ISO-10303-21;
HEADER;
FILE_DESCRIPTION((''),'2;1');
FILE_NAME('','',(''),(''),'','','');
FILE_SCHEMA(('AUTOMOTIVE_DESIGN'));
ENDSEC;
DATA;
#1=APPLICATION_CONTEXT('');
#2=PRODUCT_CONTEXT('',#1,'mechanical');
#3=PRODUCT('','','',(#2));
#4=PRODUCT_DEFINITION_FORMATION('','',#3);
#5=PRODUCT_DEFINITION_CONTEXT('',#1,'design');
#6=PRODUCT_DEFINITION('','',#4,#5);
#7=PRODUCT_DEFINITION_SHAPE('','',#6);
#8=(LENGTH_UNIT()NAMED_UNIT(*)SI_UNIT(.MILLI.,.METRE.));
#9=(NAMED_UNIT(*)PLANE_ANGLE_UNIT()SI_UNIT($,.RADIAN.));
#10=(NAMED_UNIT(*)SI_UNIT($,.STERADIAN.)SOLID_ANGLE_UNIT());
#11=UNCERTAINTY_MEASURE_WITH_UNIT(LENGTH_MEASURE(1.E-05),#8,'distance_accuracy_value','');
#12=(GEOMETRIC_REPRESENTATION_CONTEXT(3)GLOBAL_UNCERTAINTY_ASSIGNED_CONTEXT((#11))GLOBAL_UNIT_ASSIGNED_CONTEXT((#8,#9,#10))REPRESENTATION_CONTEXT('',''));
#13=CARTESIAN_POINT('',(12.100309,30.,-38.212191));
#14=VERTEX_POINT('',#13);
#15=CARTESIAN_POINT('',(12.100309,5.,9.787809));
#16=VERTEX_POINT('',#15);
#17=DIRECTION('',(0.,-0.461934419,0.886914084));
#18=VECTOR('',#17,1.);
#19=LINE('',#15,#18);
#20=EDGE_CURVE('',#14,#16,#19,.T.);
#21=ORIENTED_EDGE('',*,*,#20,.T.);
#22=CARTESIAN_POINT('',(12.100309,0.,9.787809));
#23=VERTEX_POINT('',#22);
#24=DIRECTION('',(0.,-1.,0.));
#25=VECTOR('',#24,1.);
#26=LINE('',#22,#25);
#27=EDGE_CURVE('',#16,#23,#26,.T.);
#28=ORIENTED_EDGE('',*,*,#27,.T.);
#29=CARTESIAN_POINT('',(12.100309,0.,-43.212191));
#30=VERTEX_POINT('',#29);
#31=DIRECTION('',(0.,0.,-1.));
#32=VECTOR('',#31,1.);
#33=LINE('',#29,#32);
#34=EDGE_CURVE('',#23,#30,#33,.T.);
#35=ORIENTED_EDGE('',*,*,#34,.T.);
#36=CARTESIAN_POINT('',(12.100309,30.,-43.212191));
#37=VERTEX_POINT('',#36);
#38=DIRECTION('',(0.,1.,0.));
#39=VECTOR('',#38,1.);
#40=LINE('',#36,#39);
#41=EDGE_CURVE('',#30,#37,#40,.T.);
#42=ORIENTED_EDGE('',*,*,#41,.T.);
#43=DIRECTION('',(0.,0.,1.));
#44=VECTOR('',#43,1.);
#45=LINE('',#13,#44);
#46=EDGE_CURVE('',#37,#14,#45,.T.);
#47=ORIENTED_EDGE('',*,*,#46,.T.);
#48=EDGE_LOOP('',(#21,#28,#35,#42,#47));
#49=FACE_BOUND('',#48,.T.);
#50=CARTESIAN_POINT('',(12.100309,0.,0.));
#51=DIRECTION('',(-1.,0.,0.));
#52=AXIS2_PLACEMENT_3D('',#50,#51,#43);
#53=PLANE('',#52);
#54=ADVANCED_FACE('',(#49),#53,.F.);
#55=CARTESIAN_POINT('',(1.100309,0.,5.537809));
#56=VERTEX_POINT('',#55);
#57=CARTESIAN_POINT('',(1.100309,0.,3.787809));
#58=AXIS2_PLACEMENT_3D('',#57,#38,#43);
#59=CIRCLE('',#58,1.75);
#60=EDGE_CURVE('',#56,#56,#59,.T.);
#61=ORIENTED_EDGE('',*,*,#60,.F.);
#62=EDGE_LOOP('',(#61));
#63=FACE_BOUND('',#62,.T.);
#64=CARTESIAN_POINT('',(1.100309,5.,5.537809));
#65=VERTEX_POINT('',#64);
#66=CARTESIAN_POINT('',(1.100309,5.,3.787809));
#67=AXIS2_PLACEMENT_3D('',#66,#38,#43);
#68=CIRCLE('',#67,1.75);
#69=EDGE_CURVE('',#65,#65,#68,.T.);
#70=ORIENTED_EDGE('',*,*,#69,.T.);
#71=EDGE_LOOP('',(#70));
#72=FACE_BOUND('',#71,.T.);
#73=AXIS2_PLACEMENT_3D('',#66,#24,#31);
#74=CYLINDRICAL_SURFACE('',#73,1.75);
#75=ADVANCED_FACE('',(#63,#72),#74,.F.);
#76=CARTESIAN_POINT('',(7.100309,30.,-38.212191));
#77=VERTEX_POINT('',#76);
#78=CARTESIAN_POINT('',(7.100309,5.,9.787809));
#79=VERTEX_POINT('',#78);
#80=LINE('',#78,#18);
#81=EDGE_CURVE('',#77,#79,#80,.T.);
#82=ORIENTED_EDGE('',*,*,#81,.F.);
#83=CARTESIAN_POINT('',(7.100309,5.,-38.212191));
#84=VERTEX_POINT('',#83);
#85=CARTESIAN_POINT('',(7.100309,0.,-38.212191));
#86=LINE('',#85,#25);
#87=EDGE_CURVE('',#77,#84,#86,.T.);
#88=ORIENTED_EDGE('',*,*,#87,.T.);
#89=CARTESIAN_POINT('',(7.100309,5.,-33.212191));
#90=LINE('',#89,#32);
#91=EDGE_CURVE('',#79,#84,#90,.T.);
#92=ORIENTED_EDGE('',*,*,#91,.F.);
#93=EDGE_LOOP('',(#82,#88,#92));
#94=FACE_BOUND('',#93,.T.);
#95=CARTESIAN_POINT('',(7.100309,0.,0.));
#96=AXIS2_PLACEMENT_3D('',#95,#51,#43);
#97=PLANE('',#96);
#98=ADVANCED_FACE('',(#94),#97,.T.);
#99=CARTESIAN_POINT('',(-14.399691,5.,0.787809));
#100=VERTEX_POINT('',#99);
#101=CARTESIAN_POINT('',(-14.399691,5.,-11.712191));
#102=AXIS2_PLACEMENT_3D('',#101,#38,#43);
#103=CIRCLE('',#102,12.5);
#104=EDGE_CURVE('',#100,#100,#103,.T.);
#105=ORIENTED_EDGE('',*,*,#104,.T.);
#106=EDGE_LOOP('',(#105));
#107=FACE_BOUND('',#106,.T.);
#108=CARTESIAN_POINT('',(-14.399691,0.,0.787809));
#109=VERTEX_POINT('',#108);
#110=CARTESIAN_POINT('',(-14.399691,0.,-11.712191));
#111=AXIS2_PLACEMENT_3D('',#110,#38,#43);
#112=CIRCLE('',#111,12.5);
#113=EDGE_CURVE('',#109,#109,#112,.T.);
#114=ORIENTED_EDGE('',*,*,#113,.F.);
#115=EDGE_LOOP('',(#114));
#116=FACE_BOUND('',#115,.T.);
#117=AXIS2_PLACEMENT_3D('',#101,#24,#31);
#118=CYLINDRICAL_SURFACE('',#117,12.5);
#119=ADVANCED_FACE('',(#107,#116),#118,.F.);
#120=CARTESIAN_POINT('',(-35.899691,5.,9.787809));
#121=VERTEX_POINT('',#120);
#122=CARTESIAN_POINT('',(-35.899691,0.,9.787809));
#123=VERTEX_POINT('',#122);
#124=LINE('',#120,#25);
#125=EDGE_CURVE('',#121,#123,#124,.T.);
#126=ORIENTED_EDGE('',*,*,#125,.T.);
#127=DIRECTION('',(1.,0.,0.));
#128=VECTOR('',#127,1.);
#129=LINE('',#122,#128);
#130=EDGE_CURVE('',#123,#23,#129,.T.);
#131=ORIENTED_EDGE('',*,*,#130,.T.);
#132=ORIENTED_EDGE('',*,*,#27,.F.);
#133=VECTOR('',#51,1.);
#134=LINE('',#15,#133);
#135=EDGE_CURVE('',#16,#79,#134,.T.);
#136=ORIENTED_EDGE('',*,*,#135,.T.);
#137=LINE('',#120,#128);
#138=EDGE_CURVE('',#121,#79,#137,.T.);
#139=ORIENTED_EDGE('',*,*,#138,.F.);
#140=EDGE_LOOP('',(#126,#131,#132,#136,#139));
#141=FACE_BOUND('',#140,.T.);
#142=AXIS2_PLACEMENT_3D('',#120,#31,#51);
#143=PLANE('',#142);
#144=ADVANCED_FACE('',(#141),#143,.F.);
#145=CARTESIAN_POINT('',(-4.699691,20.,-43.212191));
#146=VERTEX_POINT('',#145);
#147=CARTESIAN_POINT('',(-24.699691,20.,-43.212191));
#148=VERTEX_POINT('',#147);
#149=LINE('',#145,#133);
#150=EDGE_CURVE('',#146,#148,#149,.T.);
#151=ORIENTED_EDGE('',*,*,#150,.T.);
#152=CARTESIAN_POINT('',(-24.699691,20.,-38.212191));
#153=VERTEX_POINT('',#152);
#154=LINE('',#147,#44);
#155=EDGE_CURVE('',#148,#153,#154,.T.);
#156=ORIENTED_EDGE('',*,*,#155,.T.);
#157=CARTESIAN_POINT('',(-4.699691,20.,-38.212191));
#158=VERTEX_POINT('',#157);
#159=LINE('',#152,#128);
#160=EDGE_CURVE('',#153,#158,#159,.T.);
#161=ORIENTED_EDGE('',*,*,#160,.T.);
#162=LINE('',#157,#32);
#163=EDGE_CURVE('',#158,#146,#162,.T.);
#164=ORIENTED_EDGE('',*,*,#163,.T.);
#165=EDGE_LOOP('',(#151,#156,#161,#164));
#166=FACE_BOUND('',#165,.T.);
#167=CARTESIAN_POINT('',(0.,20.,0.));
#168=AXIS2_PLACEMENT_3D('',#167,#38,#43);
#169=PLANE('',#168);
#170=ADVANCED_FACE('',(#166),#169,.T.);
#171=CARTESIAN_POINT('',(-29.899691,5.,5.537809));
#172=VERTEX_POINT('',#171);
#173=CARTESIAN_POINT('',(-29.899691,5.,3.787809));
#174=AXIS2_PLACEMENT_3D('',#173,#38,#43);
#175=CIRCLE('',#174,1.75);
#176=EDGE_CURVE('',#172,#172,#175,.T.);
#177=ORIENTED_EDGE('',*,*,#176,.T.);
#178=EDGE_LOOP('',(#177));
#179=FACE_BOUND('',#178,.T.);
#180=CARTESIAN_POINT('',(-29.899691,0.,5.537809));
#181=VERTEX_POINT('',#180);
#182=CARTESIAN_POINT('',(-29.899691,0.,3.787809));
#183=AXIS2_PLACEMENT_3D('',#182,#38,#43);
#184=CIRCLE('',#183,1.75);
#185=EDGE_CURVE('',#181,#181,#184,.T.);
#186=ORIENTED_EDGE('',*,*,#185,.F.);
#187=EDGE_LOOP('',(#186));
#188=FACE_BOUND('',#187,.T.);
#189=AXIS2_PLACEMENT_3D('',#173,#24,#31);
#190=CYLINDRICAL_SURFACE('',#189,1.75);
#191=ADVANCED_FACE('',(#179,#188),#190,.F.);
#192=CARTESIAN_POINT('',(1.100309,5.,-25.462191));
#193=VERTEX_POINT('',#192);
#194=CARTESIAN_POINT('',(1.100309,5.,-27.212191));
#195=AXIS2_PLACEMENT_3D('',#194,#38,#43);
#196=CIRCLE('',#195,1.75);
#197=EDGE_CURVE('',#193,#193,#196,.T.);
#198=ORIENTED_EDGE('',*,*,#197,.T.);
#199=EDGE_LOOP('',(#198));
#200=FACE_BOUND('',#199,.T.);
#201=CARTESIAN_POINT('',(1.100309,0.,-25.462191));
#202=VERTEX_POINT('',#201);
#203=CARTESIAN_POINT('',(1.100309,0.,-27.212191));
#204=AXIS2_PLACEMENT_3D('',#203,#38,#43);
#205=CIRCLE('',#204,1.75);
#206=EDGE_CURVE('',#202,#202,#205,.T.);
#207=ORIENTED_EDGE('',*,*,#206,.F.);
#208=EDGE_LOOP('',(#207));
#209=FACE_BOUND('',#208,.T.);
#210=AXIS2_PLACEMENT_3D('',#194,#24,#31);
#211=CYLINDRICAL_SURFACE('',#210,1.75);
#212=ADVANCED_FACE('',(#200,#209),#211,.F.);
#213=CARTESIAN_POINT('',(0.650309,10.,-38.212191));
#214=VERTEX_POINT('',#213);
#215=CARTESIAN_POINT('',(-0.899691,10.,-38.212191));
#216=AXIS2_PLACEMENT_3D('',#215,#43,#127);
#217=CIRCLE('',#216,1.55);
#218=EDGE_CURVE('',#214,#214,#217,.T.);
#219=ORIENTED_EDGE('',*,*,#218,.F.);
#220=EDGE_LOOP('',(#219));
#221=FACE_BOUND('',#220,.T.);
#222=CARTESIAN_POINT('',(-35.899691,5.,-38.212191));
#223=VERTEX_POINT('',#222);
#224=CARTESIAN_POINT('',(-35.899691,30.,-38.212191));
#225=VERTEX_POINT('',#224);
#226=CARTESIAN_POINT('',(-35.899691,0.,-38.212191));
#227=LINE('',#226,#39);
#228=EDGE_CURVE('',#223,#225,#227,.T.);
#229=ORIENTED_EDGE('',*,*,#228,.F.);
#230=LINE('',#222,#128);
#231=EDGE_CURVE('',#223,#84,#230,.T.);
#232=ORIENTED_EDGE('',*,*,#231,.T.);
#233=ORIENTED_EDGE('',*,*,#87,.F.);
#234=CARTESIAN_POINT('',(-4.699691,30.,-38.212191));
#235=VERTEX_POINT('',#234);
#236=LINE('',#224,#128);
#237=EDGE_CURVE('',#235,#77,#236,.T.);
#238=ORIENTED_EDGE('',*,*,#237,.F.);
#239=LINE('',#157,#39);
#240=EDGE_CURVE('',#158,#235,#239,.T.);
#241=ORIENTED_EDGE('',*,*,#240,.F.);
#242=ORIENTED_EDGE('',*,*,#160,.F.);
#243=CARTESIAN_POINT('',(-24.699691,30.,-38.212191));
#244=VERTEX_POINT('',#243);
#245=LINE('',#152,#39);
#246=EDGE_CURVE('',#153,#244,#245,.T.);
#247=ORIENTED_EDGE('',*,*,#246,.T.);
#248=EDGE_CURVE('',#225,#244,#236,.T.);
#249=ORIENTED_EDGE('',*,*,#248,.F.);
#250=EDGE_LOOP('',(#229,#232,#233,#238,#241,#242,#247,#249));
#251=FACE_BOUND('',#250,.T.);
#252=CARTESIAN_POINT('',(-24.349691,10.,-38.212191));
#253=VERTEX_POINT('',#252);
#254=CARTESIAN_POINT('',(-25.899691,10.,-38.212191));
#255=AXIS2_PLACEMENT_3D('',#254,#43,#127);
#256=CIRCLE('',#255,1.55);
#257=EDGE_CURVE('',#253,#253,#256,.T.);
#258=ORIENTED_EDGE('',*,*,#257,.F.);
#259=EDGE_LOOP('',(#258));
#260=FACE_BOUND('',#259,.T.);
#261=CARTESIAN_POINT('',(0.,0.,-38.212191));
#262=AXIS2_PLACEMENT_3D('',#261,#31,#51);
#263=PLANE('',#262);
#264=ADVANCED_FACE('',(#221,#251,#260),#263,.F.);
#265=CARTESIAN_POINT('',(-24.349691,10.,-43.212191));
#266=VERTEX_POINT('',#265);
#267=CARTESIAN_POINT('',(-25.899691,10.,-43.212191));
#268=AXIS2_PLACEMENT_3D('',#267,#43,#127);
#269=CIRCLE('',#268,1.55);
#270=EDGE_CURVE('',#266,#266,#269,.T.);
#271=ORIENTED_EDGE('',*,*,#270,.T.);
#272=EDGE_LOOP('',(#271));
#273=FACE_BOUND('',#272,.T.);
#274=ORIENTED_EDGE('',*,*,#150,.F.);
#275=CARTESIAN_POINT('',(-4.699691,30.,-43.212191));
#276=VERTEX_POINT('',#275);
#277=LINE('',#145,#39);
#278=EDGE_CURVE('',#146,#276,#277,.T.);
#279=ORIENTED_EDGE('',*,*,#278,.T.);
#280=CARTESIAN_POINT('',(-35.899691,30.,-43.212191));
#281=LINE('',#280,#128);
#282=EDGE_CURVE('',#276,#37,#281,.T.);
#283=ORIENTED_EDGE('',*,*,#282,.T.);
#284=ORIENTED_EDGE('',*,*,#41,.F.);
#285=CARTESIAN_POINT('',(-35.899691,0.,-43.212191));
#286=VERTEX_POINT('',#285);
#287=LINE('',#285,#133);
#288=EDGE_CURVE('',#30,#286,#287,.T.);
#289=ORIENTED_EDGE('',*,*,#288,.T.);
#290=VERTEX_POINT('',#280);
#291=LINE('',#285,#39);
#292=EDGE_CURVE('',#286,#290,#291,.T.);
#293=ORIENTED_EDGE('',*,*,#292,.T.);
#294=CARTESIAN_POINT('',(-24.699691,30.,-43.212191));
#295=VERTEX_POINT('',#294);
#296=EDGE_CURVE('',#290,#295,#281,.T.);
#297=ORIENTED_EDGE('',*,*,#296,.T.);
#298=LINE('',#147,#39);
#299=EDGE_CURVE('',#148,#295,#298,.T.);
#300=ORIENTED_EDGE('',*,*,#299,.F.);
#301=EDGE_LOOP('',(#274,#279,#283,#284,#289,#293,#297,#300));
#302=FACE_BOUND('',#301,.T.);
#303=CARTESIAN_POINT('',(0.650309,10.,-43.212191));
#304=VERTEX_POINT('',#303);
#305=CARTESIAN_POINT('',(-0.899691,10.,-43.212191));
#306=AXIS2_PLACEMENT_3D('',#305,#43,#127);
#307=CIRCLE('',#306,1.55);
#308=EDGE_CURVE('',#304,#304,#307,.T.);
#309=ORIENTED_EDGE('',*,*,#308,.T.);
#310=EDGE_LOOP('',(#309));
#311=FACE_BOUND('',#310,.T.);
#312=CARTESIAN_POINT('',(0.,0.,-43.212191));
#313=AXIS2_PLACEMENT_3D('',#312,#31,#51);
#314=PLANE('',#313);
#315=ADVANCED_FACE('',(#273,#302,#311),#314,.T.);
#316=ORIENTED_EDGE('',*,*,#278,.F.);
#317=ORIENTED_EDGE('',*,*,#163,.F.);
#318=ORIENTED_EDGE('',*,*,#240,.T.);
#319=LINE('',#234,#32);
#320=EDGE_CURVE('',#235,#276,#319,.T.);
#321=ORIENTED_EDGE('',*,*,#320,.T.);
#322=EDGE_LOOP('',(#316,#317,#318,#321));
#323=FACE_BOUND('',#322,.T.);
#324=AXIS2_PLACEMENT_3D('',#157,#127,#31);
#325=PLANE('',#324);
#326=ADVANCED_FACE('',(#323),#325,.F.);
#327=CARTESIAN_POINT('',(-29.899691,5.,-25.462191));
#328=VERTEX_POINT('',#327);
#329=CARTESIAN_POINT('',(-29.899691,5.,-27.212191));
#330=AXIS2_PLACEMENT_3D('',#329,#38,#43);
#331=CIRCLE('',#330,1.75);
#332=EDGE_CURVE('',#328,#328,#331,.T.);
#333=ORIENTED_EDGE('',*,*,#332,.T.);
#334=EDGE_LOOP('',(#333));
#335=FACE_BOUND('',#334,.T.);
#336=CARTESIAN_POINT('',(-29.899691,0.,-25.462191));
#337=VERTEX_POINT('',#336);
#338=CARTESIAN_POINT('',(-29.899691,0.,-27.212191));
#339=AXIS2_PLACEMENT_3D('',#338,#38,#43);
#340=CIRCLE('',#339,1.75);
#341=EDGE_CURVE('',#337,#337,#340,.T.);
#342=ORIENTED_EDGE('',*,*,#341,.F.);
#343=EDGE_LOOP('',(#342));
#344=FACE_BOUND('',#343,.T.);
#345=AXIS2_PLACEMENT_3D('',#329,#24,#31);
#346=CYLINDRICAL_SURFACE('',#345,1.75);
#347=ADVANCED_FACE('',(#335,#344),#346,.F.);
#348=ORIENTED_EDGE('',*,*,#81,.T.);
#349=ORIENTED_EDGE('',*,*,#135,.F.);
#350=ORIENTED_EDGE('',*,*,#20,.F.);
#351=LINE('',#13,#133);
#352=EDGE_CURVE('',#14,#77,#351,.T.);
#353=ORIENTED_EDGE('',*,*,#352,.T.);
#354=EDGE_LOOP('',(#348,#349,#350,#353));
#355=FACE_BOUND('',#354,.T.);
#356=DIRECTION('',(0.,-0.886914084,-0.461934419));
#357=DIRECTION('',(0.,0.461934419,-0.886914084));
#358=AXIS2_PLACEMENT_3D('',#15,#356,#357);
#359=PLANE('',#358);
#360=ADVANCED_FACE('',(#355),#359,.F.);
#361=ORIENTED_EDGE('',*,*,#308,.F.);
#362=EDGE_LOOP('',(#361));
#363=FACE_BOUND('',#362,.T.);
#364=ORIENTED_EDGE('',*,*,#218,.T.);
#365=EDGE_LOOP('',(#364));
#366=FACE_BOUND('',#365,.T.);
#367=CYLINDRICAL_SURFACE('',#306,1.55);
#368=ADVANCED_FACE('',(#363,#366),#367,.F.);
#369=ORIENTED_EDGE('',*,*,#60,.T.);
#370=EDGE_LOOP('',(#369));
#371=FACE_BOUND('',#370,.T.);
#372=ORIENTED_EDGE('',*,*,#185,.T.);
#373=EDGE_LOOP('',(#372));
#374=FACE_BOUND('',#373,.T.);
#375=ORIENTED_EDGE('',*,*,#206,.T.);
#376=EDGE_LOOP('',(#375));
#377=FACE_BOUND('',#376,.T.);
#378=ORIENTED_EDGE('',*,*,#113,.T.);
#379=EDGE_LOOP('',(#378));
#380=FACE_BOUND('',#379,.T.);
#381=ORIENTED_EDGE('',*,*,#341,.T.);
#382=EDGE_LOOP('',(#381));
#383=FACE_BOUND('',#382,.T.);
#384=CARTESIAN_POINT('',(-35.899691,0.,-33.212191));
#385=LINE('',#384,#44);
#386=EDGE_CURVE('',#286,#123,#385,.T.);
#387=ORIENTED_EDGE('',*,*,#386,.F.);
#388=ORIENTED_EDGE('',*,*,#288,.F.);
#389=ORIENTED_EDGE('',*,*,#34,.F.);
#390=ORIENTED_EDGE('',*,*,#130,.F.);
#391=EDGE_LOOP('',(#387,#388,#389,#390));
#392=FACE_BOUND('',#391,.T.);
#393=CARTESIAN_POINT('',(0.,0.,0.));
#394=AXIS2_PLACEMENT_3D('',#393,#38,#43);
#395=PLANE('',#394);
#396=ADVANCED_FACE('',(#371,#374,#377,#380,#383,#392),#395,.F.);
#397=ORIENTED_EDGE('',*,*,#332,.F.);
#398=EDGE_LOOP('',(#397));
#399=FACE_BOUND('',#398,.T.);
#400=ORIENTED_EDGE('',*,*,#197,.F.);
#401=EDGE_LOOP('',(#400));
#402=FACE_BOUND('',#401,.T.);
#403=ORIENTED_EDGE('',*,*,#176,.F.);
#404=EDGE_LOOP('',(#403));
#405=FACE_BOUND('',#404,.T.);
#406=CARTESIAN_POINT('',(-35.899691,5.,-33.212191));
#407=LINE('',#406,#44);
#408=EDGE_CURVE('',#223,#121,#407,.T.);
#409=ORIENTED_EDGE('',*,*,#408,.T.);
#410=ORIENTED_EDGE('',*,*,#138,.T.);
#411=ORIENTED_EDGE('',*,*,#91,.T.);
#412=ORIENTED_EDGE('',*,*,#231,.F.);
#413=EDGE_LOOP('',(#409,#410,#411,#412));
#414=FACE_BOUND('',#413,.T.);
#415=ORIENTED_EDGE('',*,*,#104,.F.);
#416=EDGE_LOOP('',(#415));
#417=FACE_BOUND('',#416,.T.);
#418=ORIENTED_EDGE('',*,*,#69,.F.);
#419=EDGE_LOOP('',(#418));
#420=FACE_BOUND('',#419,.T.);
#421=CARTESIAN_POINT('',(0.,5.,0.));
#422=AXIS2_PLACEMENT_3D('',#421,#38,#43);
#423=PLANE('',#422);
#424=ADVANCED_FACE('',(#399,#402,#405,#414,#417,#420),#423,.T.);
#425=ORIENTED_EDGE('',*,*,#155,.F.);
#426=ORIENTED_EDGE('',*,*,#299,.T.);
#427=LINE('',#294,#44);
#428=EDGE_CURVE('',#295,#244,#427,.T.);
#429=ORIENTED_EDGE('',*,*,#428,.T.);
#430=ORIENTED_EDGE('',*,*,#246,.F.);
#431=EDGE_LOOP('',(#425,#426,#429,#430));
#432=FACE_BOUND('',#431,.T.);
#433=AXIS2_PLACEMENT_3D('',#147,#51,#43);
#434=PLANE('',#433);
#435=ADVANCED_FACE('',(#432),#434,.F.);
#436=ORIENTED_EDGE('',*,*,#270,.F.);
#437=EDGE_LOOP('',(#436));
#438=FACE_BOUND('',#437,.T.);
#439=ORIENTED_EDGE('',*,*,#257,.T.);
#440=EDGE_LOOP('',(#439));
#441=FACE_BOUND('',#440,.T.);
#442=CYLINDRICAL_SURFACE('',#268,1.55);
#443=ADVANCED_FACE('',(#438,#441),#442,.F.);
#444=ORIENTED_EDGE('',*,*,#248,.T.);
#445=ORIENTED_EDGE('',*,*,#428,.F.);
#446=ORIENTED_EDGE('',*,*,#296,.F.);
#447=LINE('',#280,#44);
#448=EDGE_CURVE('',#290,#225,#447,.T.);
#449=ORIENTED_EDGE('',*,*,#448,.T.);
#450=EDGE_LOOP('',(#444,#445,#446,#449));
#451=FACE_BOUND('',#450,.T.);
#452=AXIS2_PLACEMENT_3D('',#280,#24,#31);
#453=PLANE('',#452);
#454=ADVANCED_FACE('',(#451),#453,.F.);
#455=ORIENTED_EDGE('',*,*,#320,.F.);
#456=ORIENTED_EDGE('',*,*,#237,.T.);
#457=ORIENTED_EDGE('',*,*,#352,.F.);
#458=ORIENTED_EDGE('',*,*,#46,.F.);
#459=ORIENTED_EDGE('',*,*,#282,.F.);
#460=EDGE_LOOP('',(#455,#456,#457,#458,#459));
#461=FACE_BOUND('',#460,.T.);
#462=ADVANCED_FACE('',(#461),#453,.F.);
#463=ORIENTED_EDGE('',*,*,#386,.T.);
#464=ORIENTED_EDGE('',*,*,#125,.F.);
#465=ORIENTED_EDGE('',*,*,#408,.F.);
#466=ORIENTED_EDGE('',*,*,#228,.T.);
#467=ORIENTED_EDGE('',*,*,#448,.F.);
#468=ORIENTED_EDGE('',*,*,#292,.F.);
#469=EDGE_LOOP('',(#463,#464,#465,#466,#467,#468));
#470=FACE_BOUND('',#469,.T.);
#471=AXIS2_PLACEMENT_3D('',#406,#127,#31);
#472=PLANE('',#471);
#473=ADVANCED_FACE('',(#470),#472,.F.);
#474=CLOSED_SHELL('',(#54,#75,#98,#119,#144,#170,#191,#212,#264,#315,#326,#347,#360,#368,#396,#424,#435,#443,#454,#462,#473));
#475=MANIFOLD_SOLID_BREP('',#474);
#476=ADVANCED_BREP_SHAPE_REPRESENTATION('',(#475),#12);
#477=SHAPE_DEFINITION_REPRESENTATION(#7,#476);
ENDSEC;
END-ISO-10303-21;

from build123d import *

# Parameters (mm, degrees)
SKETCH_1_W          = 43
SKETCH_1_H          = 43
SKETCH_1_R          = 1.75
SKETCH_1_R_2        = 12.5
EXTRUDE_1_DEPTH     = 5
SKETCH_3_W          = 43
SKETCH_3_H          = 5
EXTRUDE_2_DEPTH     = 5
SKETCH_4_W          = 43
SKETCH_4_H          = 30
EXTRUDE_3_DEPTH     = 5
SKETCH_5_R          = 1.55
CUT_EXTRUDE_1_DEPTH = 68.028261499
EXTRUDE_4_DEPTH     = 5
SKETCH_7_W          = 20
SKETCH_7_H          = 5
CUT_EXTRUDE_2_DEPTH = 10


with BuildPart() as part:
    # 草图1 → 凸台-拉伸1 (new body)
    with BuildSketch(Plane(origin=(0, 0, 0), x_dir=(1, 0, 0), z_dir=(0, 1, 0))):
        with Locations((-14.399691358, 11.712191358)):
            Rectangle(SKETCH_1_W, SKETCH_1_H)
        with Locations(Location((1.100308642, 27.212191358, 0), (0, 0, 270))):
            Circle(SKETCH_1_R, mode=Mode.SUBTRACT)
        with Locations(Location((-29.899691358, 27.212191358, 0), (0, 0, 270))):
            Circle(SKETCH_1_R, mode=Mode.SUBTRACT)
        with Locations(Location((-29.899691358, -3.787808642, 0), (0, 0, 270))):
            Circle(SKETCH_1_R, mode=Mode.SUBTRACT)
        with Locations(Location((1.100308642, -3.787808642, 0), (0, 0, 270))):
            Circle(SKETCH_1_R, mode=Mode.SUBTRACT)
        with Locations(Location((-14.399691358, 11.712191358, 0), (0, 0, 270))):
            Circle(SKETCH_1_R_2, mode=Mode.SUBTRACT)
    extrude(amount=EXTRUDE_1_DEPTH)

    # 草图3 → 凸台-拉伸2 (add)
    with BuildSketch(Plane(origin=(0, 0, -33.212191358), x_dir=(-1, 0, 0), z_dir=(0, 0, -1))):
        with Locations((14.399691358, 2.5)):
            Rectangle(SKETCH_3_W, SKETCH_3_H)
    extrude(amount=EXTRUDE_2_DEPTH)

    # 草图4 → 凸台-拉伸3 (add)
    with BuildSketch(Plane(origin=(0, 0, -38.212191358), x_dir=(-1, 0, 0), z_dir=(0, 0, -1))):
        with Locations((14.399691358, 15)):
            Rectangle(SKETCH_4_W, SKETCH_4_H)
    extrude(amount=EXTRUDE_3_DEPTH)

    # 草图5 → 切除-拉伸1 (cut, through all)
    with BuildSketch(Plane.XY.offset(-38.212191358)):
        with Locations((-0.899691358, 10)):
            Circle(SKETCH_5_R)
        with Locations((-25.899691358, 10)):
            Circle(SKETCH_5_R)
    extrude(amount=-CUT_EXTRUDE_1_DEPTH, mode=Mode.SUBTRACT)

    # 草图6 → 凸台-拉伸4 (add)
    with BuildSketch(Plane(origin=(7.100308642, 0, 0), x_dir=(0, 0, -1), z_dir=(1, 0, 0))):
        Polygon((-9.787808642, 0), (-9.787808642, 5), (38.212191358, 30), (43.212191358, 30), (43.212191358, 0), align=None)
    extrude(amount=EXTRUDE_4_DEPTH)

    # 草图7 → 切除-拉伸2 (cut)
    with BuildSketch(Plane(origin=(0, 30, 0), x_dir=(1, 0, 0), z_dir=(0, 1, 0))):
        with Locations((-14.699691358, 40.712191358)):
            Rectangle(SKETCH_7_W, SKETCH_7_H)
    extrude(amount=-CUT_EXTRUDE_2_DEPTH, mode=Mode.SUBTRACT)


solid = part.part
